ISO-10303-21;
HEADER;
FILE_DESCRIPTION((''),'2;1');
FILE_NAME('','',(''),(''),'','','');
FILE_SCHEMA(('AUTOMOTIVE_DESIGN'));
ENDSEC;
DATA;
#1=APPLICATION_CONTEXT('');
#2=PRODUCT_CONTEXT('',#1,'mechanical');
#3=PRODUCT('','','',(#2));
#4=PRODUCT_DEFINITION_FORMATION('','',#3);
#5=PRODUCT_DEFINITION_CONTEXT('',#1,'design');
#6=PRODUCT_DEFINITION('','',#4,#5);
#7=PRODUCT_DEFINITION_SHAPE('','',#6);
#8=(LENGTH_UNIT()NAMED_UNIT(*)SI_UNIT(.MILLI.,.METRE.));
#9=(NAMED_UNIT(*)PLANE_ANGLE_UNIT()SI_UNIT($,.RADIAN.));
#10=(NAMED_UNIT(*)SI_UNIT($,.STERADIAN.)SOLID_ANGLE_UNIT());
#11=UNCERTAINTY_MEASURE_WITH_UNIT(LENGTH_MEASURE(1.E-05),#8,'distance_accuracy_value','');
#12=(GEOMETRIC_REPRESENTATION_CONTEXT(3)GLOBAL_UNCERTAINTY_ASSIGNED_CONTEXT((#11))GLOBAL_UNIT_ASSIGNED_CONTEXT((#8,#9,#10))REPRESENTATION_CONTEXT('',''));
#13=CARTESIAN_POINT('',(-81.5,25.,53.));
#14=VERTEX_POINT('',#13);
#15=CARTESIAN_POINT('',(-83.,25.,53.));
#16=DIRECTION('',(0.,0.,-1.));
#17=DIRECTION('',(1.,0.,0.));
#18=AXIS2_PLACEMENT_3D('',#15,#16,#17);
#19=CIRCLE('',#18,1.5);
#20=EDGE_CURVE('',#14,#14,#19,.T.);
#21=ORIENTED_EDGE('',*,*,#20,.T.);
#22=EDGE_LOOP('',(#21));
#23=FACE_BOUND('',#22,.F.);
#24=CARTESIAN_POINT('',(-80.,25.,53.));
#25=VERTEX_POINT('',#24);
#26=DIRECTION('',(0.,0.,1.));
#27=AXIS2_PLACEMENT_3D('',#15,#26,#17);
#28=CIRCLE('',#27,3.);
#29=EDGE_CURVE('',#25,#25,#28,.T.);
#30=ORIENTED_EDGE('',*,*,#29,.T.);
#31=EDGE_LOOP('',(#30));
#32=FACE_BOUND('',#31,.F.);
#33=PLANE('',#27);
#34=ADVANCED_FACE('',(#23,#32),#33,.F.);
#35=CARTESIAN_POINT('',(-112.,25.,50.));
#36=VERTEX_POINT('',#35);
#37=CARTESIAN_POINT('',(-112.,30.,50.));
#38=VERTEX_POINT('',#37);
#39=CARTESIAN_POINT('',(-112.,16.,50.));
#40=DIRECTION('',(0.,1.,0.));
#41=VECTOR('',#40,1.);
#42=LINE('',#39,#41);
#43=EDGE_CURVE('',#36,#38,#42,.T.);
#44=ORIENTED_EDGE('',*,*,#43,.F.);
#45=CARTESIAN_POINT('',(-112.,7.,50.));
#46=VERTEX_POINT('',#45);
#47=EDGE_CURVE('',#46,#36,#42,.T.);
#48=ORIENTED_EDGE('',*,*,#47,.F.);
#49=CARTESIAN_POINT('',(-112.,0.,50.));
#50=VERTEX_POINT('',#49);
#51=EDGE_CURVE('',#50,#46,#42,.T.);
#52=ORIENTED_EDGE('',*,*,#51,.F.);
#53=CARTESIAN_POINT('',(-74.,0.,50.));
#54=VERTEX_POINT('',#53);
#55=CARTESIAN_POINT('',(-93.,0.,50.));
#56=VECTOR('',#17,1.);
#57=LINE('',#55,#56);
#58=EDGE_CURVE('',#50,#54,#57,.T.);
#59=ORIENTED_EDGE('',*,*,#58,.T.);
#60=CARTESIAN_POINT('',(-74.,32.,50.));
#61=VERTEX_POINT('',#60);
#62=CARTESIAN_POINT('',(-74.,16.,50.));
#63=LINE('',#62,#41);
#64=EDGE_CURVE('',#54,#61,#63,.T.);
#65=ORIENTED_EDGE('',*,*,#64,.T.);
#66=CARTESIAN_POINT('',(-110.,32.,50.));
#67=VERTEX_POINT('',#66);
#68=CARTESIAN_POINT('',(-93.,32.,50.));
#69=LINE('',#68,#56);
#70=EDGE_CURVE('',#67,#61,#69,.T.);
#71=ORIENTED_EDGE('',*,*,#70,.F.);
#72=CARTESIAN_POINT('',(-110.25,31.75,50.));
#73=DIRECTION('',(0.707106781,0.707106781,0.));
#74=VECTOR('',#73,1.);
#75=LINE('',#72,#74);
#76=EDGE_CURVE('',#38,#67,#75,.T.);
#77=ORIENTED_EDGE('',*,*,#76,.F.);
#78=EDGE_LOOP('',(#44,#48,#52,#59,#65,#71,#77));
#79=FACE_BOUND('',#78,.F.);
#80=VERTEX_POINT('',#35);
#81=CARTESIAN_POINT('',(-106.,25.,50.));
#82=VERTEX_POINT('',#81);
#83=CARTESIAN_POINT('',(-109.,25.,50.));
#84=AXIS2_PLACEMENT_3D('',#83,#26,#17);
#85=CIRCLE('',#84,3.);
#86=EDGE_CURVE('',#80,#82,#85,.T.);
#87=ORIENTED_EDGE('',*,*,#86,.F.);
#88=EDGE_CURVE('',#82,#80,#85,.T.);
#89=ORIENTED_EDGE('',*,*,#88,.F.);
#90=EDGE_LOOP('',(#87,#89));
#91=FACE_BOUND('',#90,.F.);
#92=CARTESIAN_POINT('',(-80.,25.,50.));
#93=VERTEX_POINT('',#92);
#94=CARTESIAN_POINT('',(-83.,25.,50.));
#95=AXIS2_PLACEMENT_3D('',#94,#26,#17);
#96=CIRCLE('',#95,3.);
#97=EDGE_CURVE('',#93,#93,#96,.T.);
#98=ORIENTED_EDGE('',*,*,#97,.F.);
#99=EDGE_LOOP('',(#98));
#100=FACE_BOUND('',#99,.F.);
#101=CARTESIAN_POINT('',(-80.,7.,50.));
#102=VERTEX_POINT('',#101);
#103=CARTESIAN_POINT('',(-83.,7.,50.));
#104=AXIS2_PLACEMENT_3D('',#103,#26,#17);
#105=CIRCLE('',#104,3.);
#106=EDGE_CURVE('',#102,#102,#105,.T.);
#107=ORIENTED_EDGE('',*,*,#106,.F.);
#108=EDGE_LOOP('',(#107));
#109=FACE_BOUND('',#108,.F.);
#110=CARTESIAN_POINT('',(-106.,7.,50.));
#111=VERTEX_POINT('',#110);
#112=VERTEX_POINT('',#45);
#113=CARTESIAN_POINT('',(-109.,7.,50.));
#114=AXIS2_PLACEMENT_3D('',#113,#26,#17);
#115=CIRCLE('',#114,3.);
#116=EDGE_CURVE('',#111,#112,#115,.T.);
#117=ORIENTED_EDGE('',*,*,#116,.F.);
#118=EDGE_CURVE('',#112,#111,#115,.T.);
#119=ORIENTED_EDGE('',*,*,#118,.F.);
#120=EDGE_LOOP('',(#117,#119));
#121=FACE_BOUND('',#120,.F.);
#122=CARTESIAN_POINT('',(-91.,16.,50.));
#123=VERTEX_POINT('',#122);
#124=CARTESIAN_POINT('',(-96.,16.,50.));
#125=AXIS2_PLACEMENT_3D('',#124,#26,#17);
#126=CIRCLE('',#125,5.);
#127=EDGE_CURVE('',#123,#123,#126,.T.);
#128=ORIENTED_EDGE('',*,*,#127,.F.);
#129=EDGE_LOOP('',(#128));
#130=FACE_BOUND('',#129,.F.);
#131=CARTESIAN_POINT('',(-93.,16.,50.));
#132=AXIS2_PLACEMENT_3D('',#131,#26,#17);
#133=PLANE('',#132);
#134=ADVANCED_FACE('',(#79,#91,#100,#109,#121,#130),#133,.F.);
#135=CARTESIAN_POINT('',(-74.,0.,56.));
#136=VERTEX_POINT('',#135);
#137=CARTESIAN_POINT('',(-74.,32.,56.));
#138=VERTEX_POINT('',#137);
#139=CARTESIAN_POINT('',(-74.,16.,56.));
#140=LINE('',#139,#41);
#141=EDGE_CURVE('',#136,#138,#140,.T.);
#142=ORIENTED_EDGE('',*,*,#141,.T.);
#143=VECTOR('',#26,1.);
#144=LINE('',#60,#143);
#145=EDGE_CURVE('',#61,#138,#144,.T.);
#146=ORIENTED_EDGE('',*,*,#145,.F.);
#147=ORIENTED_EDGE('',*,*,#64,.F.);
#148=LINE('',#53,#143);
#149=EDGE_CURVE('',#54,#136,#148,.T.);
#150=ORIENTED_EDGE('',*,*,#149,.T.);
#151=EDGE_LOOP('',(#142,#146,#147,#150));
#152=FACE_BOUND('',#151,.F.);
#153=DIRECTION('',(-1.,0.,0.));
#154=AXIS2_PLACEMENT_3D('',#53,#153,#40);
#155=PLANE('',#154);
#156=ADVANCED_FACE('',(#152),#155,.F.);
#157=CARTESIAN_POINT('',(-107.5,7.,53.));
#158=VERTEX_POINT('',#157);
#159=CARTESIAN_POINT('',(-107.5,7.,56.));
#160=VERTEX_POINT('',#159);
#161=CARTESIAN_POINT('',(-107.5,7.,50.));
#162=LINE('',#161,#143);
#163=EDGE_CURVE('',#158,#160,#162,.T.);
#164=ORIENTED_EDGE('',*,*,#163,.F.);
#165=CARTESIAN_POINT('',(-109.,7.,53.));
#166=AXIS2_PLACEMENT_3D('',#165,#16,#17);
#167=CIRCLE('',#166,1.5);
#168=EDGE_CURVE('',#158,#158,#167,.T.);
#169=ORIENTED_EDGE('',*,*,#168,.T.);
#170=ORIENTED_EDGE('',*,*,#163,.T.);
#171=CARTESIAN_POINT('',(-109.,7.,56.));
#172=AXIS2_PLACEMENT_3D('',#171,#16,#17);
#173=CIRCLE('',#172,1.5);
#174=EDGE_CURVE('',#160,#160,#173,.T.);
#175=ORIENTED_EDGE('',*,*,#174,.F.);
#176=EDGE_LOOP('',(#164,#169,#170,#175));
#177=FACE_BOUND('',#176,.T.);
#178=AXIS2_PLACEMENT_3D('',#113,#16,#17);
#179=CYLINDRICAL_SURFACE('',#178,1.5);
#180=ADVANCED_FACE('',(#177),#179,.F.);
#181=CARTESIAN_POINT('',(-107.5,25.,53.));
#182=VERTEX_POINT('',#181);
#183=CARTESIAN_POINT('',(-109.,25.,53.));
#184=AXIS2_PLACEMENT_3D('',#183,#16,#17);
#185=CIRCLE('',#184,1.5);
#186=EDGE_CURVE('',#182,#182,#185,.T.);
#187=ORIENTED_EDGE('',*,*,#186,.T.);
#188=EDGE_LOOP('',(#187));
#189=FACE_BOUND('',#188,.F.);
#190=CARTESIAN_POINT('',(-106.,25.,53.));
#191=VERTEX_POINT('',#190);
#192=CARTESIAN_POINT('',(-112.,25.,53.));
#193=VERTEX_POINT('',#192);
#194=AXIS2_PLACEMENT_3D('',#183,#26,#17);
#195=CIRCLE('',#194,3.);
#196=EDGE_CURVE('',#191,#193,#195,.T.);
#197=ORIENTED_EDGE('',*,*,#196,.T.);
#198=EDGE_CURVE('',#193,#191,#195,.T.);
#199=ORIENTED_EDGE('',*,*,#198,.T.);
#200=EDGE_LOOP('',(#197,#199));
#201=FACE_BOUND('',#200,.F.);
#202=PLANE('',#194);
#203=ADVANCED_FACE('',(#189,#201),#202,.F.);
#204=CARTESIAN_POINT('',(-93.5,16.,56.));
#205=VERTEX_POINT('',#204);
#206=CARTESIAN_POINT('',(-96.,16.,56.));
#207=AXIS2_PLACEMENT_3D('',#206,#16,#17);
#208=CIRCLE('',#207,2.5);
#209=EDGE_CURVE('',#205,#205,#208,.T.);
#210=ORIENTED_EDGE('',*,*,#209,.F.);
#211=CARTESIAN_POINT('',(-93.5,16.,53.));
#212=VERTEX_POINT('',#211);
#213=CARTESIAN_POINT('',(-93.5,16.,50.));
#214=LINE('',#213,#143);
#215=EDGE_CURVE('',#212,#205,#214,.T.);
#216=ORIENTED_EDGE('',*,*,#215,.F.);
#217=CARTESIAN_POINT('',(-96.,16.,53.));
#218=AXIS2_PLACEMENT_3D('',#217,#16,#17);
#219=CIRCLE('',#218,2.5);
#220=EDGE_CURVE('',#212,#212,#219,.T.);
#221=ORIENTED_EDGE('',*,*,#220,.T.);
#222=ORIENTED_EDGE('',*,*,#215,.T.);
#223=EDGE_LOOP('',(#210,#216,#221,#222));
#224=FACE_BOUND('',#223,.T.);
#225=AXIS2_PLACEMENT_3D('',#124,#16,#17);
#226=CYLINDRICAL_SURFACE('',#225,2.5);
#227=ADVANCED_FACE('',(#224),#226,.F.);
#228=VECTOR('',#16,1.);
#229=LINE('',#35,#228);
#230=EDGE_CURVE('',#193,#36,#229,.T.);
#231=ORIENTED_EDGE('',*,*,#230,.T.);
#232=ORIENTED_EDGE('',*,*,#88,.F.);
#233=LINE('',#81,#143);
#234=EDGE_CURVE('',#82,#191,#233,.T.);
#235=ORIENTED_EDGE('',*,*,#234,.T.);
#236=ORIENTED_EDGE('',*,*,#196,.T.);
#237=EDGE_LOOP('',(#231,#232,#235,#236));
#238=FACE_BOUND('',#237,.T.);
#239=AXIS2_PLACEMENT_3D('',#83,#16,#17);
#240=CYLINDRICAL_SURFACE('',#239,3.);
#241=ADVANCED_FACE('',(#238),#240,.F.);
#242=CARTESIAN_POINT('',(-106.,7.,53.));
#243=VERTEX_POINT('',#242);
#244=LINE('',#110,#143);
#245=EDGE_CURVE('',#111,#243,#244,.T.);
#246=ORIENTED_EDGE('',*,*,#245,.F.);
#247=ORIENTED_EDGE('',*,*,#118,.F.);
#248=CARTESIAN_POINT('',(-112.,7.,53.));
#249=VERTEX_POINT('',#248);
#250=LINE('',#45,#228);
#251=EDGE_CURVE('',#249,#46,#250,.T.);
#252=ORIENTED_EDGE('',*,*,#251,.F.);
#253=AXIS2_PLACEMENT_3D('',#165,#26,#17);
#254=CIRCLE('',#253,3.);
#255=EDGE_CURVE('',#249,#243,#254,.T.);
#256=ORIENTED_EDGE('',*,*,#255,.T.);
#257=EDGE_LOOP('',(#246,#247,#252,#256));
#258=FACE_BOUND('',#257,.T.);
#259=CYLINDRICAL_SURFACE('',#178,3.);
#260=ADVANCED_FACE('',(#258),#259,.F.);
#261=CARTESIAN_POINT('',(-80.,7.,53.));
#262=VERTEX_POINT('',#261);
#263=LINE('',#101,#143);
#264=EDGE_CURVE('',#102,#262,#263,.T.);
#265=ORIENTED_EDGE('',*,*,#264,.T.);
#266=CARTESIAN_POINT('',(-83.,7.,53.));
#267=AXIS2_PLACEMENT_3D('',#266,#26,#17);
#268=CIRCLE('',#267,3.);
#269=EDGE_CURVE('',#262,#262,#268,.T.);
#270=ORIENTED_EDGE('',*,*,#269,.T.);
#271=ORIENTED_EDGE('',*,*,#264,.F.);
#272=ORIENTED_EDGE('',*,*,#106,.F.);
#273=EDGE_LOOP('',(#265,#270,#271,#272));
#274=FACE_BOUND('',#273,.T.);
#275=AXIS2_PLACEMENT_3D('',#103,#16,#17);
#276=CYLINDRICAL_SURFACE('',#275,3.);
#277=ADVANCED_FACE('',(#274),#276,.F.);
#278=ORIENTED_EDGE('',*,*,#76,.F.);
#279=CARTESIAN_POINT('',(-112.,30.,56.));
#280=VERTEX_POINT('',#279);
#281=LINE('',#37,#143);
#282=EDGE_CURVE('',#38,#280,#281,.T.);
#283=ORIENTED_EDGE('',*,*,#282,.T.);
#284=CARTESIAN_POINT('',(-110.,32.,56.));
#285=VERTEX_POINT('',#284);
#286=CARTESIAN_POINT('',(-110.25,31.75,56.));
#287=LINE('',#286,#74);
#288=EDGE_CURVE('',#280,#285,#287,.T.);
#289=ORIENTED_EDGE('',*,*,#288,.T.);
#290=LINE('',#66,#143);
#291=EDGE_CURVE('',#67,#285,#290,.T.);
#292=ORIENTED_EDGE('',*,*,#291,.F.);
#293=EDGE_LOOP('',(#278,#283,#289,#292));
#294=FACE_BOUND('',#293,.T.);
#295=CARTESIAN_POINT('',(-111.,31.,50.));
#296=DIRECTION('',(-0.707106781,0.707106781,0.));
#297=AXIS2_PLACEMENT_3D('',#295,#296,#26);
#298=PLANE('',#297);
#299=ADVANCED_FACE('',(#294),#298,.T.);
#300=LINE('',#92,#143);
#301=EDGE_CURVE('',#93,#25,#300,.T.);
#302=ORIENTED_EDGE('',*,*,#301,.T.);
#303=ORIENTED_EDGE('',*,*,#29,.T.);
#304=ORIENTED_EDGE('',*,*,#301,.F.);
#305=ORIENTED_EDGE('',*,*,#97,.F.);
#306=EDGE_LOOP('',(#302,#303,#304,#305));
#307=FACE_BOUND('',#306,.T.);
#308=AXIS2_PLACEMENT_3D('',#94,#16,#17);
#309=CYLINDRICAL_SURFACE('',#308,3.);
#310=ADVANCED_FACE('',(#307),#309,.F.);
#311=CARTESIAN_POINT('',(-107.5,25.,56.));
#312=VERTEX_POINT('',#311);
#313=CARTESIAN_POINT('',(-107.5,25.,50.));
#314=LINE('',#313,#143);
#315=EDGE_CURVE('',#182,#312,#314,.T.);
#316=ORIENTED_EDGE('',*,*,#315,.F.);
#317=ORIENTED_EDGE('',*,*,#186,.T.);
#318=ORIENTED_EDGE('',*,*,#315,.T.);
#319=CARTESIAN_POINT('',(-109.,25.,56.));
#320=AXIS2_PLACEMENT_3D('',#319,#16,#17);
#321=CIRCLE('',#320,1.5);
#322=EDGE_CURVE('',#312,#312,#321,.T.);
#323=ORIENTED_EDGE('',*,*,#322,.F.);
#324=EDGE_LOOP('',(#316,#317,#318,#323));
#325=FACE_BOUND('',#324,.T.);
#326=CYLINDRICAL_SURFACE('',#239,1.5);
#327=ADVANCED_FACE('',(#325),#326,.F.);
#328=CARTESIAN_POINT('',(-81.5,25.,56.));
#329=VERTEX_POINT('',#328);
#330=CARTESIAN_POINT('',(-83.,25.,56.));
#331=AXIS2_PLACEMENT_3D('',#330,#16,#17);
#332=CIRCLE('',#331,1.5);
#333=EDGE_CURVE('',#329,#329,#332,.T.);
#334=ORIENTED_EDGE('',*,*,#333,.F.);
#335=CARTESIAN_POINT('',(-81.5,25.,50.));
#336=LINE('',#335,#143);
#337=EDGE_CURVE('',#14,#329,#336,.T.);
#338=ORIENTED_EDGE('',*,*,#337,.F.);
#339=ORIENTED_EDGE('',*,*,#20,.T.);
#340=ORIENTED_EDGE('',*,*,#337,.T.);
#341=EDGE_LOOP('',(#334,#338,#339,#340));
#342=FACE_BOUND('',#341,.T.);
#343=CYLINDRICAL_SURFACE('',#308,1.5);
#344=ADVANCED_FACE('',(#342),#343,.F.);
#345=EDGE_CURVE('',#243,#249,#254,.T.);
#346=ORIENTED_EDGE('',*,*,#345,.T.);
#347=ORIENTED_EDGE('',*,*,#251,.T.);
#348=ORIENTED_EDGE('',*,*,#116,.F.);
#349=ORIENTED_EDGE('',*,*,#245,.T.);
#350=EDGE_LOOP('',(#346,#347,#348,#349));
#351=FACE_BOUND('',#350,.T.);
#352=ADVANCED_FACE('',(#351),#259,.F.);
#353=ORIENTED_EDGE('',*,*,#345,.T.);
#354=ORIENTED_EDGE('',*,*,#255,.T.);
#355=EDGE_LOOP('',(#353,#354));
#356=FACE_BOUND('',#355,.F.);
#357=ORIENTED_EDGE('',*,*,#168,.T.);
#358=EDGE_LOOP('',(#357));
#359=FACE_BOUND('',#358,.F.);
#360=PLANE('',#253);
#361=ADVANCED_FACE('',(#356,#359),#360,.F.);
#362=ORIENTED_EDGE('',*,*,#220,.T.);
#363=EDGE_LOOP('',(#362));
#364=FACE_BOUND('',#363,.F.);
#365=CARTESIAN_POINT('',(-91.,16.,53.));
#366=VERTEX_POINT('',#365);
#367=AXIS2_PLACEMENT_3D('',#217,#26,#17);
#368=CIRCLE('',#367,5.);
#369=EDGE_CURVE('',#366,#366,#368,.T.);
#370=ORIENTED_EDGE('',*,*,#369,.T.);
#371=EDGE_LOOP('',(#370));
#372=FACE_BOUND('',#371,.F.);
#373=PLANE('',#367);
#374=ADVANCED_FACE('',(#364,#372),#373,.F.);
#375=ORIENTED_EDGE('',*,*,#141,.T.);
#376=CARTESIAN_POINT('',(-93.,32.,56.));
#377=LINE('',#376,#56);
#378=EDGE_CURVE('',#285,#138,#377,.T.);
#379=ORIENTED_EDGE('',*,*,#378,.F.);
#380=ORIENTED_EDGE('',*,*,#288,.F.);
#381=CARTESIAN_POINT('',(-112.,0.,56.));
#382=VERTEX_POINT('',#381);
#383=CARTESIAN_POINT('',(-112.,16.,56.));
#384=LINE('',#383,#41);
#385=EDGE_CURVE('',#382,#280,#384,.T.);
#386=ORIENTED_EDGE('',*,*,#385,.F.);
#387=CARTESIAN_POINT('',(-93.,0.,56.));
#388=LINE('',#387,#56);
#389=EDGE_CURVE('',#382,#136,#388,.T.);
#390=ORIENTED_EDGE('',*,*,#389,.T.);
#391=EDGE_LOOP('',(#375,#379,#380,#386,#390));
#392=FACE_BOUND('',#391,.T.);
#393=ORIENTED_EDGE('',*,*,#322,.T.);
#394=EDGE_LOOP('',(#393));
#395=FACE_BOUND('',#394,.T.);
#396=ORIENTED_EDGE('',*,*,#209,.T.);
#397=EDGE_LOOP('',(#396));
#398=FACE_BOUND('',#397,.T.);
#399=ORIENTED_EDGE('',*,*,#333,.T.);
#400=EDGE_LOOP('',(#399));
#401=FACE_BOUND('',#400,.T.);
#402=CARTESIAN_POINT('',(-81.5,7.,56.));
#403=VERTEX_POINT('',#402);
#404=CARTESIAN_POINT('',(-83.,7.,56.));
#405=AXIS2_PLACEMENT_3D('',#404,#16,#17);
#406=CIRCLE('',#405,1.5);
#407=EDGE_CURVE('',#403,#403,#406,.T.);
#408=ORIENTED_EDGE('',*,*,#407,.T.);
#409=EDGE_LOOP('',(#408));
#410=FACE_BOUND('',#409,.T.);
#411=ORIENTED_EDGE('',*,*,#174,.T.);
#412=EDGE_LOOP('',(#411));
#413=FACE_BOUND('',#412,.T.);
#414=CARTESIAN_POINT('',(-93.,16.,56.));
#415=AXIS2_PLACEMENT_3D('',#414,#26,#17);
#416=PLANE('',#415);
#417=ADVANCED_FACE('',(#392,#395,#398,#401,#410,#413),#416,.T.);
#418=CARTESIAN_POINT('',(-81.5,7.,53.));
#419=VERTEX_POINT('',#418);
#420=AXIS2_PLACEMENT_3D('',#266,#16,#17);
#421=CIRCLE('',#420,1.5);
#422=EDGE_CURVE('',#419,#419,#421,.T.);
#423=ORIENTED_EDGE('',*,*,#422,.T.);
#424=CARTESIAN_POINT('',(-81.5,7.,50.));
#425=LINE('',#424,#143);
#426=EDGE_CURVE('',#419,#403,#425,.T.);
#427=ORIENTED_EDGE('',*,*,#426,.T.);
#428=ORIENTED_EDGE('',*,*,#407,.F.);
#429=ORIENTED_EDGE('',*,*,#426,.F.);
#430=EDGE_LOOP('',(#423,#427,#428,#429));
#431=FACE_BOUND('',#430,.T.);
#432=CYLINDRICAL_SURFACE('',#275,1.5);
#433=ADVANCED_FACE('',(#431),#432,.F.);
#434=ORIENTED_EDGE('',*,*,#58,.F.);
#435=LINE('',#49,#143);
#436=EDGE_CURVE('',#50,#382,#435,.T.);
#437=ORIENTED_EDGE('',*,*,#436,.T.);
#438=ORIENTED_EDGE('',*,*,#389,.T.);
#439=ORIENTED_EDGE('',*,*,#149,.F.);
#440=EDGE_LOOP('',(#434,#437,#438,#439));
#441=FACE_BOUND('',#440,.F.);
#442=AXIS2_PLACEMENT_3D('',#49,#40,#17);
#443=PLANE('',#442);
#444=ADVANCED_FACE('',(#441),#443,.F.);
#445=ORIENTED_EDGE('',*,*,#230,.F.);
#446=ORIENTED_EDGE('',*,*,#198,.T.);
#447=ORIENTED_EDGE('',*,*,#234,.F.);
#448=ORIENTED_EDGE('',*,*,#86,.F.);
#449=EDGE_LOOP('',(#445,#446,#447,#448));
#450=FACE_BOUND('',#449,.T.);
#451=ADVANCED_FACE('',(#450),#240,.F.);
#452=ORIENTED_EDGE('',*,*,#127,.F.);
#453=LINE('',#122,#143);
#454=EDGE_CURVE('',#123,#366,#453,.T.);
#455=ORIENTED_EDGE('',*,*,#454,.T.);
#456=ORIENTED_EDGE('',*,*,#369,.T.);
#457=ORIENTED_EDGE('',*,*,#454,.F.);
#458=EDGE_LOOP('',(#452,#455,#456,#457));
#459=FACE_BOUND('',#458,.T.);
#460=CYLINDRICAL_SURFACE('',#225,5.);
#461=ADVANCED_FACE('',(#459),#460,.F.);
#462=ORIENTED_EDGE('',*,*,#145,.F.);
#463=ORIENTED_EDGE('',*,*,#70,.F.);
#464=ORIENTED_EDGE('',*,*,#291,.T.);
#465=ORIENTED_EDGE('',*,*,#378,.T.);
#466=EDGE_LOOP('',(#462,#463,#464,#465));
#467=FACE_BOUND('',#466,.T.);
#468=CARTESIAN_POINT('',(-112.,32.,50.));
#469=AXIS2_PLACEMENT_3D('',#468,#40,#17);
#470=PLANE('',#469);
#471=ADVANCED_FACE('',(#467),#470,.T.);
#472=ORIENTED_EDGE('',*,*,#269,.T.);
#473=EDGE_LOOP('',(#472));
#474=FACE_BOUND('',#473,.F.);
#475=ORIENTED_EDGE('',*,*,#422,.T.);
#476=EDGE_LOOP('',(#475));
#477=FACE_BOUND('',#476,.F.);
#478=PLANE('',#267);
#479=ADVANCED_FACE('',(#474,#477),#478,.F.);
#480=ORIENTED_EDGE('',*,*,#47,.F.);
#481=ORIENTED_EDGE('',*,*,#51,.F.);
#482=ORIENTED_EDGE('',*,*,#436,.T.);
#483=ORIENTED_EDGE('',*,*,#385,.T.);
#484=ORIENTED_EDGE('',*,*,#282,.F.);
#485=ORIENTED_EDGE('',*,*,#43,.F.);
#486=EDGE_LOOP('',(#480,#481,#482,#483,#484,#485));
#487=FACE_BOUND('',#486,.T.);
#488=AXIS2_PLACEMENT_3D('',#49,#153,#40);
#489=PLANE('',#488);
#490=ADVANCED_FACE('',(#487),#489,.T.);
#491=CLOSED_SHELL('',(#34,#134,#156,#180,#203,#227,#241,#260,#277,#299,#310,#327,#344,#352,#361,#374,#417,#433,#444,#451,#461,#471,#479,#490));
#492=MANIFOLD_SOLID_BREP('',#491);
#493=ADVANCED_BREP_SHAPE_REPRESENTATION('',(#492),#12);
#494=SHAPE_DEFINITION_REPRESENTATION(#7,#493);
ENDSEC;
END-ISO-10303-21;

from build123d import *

# Parameters (mm, degrees)
CYLINDER882_R     = 5
CYLINDER882_DEPTH = 3
CYLINDER891_R     = 2.5
CYLINDER891_DEPTH = 20
CYLINDER883_R     = 1.5
CYLINDER883_DEPTH = 20
CYLINDER885_R     = 1.5
CYLINDER885_DEPTH = 20
CYLINDER886_R     = 1.5
CYLINDER886_DEPTH = 20
CYLINDER884_R     = 1.5
CYLINDER884_DEPTH = 20
CYLINDER887_R     = 3
CYLINDER887_DEPTH = 3
CYLINDER888_R     = 3
CYLINDER888_DEPTH = 3
CYLINDER890_R     = 3
CYLINDER890_DEPTH = 3
CYLINDER889_R     = 3
CYLINDER889_DEPTH = 3
BOX422_W          = 38
BOX422_H          = 32
BOX422_DEPTH      = 6
CHAMFER001_SIZE   = 2


with BuildPart() as v_lec882:
    # Cylinder882 → Cylinder882 (new body)
    with BuildSketch(Plane(origin=(-96, 16, 50), x_dir=(1, 0, 0), z_dir=(0, 0, 1))):
        Circle(CYLINDER882_R)
    extrude(amount=CYLINDER882_DEPTH)


with BuildPart() as v_lec891:
    # Cylinder891 → Cylinder891 (new body)
    with BuildSketch(Plane(origin=(-96, 16, 50), x_dir=(1, 0, 0), z_dir=(0, 0, 1))):
        Circle(CYLINDER891_R)
    extrude(amount=CYLINDER891_DEPTH)


with BuildPart() as v_lec883:
    # Cylinder883 → Cylinder883 (new body)
    with BuildSketch(Plane(origin=(-83, 25, 54), x_dir=(1, 0, 0), z_dir=(0, 0, 1))):
        Circle(CYLINDER883_R)
    extrude(amount=CYLINDER883_DEPTH)


with BuildPart() as v_lec885:
    # Cylinder885 → Cylinder885 (new body)
    with BuildSketch(Plane(origin=(-109, 7, 54), x_dir=(1, 0, 0), z_dir=(0, 0, 1))):
        Circle(CYLINDER885_R)
    extrude(amount=CYLINDER885_DEPTH)


with BuildPart() as v_lec886:
    # Cylinder886 → Cylinder886 (new body)
    with BuildSketch(Plane(origin=(-109, 25, 54), x_dir=(1, 0, 0), z_dir=(0, 0, 1))):
        Circle(CYLINDER886_R)
    extrude(amount=CYLINDER886_DEPTH)


with BuildPart() as compound491:
    # Cylinder884 → Cylinder884 (new body)
    with BuildSketch(Plane(origin=(-83, 7, 54), x_dir=(1, 0, 0), z_dir=(0, 0, 1))):
        Circle(CYLINDER884_R)
    extrude(amount=CYLINDER884_DEPTH)

    # Compound491: union Válec883, Válec885, Válec886
    add(v_lec883.part)
    add(v_lec885.part)
    add(v_lec886.part)


with BuildPart() as compound491_1:
    # Compound491 placement: moved
    add(compound491.part.moved(Location((0, 0, -4))))


with BuildPart() as v_lec887:
    # Cylinder887 → Cylinder887 (new body)
    with BuildSketch(Plane(origin=(-83, 25, 54), x_dir=(1, 0, 0), z_dir=(0, 0, 1))):
        Circle(CYLINDER887_R)
    extrude(amount=CYLINDER887_DEPTH)


with BuildPart() as v_lec888:
    # Cylinder888 → Cylinder888 (new body)
    with BuildSketch(Plane(origin=(-109, 7, 54), x_dir=(1, 0, 0), z_dir=(0, 0, 1))):
        Circle(CYLINDER888_R)
    extrude(amount=CYLINDER888_DEPTH)


with BuildPart() as v_lec890:
    # Cylinder890 → Cylinder890 (new body)
    with BuildSketch(Plane(origin=(-109, 25, 54), x_dir=(1, 0, 0), z_dir=(0, 0, 1))):
        Circle(CYLINDER890_R)
    extrude(amount=CYLINDER890_DEPTH)


with BuildPart() as compound492:
    # Cylinder889 → Cylinder889 (new body)
    with BuildSketch(Plane(origin=(-83, 7, 54), x_dir=(1, 0, 0), z_dir=(0, 0, 1))):
        Circle(CYLINDER889_R)
    extrude(amount=CYLINDER889_DEPTH)

    # Compound492: union Válec887, Válec888, Válec890
    add(v_lec887.part)
    add(v_lec888.part)
    add(v_lec890.part)


with BuildPart() as compound492_1:
    # Compound492 placement: moved
    add(compound492.part.moved(Location((0, 0, -4))))


with BuildPart() as base_stabil_cover_left:
    # Box422 → Box422 (new body)
    with BuildSketch(Plane(origin=(-112, 0, 50), x_dir=(1, 0, 0), z_dir=(0, 0, 1))):
        with Locations((19, 16)):
            Rectangle(BOX422_W, BOX422_H)
    extrude(amount=BOX422_DEPTH)

    # Cut394: cut Compound492
    add(compound492_1.part, mode=Mode.SUBTRACT)

    # Cut395: cut Compound491
    add(compound491_1.part, mode=Mode.SUBTRACT)

    # Cut396: cut Válec891
    add(v_lec891.part, mode=Mode.SUBTRACT)

    # Cut397: cut Válec882
    add(v_lec882.part, mode=Mode.SUBTRACT)

    # Chamfer001
    chamfer001_edges = [base_stabil_cover_left.edges().sort_by_distance(p)[0] for p in [
        (-112, 32, 53),
    ]]
    chamfer(chamfer001_edges, length=CHAMFER001_SIZE)


solid = base_stabil_cover_left.part
